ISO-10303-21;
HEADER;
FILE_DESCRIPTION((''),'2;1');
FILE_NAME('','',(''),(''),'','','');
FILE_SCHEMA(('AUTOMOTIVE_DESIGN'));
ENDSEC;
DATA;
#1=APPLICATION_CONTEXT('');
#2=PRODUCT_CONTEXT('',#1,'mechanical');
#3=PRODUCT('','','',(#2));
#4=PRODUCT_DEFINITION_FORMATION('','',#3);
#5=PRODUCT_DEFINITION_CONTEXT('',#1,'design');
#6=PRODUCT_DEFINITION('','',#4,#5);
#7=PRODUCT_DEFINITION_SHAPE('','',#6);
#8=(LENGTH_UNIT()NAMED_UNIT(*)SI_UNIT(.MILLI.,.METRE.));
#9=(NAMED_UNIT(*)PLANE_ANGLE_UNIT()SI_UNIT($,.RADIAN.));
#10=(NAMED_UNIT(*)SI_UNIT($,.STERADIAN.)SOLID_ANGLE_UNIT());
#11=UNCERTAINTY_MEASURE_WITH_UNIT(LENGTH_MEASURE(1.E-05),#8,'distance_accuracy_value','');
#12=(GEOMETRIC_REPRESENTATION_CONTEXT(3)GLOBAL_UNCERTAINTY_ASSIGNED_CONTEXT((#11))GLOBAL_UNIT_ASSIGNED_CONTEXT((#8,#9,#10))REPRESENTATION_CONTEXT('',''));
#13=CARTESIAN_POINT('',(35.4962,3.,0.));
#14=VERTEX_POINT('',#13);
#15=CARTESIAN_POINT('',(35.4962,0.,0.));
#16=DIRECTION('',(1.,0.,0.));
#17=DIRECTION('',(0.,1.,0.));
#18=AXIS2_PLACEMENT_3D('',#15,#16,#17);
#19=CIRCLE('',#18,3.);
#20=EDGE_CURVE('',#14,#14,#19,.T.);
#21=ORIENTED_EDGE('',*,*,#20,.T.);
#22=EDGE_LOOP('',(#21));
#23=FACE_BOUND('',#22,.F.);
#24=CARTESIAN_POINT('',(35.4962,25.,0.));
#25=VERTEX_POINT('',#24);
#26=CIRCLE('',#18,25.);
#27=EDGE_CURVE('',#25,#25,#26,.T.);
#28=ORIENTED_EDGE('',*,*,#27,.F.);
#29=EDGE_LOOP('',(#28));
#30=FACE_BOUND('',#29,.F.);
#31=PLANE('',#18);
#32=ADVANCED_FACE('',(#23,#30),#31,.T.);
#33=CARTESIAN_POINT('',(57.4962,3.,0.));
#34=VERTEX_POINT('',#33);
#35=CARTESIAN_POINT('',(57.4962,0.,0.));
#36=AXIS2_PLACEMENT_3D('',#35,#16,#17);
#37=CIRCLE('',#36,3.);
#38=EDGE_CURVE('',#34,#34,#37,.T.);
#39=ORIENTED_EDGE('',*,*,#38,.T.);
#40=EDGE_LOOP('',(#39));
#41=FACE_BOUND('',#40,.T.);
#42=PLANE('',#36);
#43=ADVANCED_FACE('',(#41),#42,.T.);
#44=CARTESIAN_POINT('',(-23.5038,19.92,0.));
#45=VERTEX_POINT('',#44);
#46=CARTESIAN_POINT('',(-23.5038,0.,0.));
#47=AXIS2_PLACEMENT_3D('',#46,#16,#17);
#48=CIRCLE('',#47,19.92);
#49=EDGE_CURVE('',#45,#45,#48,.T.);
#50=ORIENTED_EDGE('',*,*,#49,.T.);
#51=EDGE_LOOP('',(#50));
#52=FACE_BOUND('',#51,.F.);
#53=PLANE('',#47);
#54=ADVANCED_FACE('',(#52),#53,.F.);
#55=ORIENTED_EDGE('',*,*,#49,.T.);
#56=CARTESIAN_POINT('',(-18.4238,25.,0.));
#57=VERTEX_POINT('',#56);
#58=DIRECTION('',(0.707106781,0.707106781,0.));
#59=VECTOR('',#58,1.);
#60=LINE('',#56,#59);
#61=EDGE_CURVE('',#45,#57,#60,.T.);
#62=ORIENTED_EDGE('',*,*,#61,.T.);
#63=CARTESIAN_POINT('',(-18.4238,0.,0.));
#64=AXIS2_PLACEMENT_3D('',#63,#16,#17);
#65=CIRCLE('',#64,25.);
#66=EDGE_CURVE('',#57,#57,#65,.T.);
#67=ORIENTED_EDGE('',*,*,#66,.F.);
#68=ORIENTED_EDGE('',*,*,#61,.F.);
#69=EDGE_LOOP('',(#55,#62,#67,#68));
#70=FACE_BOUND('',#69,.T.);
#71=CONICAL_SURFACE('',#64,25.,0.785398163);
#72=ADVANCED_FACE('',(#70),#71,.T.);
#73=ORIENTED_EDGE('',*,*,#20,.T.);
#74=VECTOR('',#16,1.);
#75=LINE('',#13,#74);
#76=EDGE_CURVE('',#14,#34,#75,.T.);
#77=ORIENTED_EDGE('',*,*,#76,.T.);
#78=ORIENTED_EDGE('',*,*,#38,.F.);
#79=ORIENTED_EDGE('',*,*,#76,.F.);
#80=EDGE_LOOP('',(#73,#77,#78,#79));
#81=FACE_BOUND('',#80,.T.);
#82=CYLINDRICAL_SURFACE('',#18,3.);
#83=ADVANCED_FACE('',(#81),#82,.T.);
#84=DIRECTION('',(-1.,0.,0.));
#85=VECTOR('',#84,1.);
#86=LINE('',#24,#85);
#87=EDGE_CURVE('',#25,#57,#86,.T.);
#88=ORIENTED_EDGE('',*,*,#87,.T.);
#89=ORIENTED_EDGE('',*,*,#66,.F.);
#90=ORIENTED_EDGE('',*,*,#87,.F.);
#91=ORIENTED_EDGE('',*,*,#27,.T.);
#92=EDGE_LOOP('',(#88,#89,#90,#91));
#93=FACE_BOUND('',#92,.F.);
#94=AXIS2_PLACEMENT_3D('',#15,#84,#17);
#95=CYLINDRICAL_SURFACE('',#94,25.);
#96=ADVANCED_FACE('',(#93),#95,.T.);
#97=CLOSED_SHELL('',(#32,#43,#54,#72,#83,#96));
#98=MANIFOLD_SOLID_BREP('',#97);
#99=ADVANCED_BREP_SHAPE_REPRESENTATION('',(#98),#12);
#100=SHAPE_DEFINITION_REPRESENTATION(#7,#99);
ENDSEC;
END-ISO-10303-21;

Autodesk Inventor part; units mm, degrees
ref_plane "YZ Plane" through (0, 0, 0) normal (1, 0, 0) x (0, 1, 0)
ref_plane "XZ Plane" through (0, 0, 0) normal (0, 1, 0) x (-1, 0, 0)
ref_plane "XY Plane" through (0, 0, 0) normal (0, 0, 1) x (1, 0, 0)
sketch "Sketch1" plane through (0, 0, 0) normal (0, 0, 1) x (1, 0, 0)
  line L0 (-39.7038, 0) -> (73.6962, 0) projected
  line L1 (-23.5038, 0) -> (35.4962, 0)
  line L2 (35.4962, 0) -> (35.4962, 25)
  line L3 (35.4962, 25) -> (-23.5038, 25)
  line L4 (-23.5038, 25) -> (-23.5038, 0)
  line L5 (35.4962, 3) -> (57.4962, 3)
  line L6 (57.4962, 3) -> (57.4962, 0)
  line L7 (57.4962, 0) -> (35.4962, 0)
  line L8 (35.4962, 0) -> (35.4962, 3)
  point P0 (0, 0)
  dimension "d0" = 25
  dimension "d1" = 59
  dimension "d2" = 3
  dimension "d3" = 22
revolve "Revolution1" add sketch "Sketch1" angle 360 about axis through (-23.5038, 0, 0) along (1, 0, 0)
chamfer "Chamfer1" distance 5.08 angle 45 1 edges at (-23.5038, -25, 0)
properties part number "5045motor"
